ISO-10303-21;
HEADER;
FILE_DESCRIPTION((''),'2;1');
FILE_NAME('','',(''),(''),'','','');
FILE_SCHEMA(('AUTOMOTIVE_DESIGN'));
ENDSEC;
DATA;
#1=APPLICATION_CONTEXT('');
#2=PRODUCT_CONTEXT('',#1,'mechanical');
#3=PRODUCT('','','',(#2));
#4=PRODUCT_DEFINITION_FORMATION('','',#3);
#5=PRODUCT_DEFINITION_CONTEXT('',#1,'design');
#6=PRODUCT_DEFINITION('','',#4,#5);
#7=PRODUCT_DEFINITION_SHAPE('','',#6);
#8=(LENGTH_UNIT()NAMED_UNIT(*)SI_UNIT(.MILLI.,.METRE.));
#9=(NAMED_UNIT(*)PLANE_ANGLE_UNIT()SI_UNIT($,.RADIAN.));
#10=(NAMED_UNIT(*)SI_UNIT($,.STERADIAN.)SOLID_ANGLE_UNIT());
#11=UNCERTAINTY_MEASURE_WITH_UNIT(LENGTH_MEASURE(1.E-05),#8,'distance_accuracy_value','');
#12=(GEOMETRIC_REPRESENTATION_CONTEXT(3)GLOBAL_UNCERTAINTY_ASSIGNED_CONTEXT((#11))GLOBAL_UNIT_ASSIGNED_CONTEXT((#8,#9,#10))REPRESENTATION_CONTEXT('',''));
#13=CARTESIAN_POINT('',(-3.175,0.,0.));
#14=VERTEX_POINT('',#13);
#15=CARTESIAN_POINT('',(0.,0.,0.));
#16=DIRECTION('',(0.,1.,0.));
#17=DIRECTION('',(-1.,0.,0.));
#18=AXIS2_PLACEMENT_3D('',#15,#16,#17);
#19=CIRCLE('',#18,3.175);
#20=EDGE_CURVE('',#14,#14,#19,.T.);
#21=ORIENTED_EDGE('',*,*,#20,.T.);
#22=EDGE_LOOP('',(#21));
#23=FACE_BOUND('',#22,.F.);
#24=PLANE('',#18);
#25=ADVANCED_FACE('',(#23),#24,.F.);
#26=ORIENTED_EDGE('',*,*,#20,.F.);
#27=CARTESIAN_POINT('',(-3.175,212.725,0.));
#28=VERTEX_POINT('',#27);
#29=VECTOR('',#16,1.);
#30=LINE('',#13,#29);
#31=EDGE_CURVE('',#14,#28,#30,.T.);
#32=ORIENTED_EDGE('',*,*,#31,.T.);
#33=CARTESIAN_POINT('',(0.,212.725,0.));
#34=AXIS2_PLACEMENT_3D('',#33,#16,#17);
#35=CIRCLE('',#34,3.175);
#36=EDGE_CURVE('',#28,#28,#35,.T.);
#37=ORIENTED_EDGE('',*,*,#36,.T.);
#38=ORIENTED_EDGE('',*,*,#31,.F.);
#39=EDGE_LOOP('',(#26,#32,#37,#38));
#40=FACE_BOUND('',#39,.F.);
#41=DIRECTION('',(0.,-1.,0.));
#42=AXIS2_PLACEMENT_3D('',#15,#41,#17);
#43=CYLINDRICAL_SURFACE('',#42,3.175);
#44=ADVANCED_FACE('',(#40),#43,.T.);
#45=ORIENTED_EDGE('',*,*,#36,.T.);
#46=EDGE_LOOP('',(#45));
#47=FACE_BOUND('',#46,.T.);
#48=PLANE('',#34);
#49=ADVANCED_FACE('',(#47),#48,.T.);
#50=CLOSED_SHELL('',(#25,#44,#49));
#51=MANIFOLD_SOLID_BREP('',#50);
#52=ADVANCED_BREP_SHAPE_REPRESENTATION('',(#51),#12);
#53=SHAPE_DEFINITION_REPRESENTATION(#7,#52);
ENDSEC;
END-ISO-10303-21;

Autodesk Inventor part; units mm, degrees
ref_plane "YZ Plane" through (0, 0, 0) normal (1, 0, 0) x (0, 1, 0)
ref_plane "XZ Plane" through (0, 0, 0) normal (0, 1, 0) x (-1, 0, 0)
ref_plane "XY Plane" through (0, 0, 0) normal (0, 0, 1) x (1, 0, 0)
sketch "Sketch1" plane through (0, 0, 0) normal (0, 1, 0) x (-1, 0, 0)
  circle A0 centre (0, 0) radius 3.175
  dimension "d0" = 6.35
extrude "Extrusion1" add sketch "Sketch1" along normal blind 212.725
properties part number "SweeperSpoke" material "UHMW, Black"
